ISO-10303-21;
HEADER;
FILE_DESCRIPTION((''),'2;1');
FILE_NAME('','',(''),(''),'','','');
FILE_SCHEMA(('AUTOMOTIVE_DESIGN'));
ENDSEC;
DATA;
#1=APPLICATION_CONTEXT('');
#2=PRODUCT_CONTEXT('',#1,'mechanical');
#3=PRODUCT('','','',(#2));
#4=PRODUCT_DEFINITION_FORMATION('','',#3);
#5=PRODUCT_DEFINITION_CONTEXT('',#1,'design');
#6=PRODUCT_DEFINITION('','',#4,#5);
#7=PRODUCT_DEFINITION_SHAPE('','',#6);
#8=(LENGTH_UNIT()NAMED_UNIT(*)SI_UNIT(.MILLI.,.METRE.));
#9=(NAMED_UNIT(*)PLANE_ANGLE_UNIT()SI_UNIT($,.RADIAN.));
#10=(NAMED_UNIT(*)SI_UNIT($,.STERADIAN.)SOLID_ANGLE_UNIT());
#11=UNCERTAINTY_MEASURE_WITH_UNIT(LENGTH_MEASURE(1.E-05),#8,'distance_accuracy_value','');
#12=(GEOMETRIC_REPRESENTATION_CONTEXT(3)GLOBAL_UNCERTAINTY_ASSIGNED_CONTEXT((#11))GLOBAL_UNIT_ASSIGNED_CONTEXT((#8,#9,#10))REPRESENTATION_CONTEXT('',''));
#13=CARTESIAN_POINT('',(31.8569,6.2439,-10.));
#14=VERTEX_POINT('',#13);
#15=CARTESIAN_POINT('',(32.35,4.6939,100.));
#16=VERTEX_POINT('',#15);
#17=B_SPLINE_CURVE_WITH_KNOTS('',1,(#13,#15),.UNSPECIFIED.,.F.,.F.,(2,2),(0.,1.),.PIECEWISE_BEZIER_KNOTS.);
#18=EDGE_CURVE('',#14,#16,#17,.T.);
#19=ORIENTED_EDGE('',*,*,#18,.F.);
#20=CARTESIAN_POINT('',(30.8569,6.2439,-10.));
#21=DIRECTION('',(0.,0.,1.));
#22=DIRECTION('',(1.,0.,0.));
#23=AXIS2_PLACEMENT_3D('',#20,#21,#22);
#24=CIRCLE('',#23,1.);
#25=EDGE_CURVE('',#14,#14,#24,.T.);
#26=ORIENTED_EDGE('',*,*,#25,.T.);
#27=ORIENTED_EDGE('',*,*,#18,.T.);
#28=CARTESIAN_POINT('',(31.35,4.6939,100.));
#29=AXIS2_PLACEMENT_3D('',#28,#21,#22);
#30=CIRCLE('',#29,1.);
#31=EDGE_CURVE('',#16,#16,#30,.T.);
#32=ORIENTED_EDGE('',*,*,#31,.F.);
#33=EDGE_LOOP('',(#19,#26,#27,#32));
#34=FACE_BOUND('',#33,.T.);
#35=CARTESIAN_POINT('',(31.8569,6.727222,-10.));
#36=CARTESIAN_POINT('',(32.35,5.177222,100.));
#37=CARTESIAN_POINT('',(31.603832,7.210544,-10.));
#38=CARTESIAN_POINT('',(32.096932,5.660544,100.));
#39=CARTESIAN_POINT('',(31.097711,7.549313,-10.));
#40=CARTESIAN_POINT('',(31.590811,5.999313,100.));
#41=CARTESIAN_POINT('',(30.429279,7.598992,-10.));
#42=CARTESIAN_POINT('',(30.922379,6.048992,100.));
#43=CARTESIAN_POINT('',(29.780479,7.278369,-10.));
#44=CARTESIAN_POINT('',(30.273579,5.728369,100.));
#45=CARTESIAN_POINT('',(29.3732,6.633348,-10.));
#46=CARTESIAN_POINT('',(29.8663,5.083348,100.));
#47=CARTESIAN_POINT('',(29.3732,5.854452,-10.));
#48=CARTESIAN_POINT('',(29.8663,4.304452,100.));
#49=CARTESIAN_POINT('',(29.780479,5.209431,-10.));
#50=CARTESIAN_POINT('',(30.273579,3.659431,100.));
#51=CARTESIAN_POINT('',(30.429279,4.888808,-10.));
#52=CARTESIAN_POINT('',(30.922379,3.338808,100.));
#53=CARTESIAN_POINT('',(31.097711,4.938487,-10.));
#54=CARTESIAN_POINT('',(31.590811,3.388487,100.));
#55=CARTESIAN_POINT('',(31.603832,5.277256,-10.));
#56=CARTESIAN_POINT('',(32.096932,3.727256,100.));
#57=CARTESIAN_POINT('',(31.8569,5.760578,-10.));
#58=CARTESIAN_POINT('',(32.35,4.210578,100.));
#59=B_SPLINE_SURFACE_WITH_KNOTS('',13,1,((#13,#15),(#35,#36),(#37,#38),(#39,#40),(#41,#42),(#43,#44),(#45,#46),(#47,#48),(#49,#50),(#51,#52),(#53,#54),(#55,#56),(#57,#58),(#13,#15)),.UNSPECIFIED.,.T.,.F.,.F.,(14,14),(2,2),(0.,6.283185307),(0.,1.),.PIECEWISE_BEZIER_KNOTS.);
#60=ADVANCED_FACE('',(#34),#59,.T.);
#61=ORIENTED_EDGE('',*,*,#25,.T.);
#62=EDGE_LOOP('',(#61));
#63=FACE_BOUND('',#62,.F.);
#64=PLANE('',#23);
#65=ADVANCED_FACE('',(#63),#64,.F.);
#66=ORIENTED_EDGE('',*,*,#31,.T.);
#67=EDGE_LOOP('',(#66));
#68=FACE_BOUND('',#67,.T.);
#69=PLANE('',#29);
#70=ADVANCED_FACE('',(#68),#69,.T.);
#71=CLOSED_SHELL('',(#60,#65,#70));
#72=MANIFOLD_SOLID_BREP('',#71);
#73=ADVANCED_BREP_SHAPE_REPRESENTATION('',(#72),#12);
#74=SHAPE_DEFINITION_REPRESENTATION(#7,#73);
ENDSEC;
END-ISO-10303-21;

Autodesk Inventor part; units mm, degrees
ref_plane "YZ Plane" through (0, 0, 0) normal (1, 0, 0) x (0, 1, 0)
ref_plane "XZ Plane" through (0, 0, 0) normal (0, 1, 0) x (-1, 0, 0)
ref_plane "XY Plane" through (0, 0, 0) normal (0, 0, 1) x (1, 0, 0)
ref_plane "Work Plane1" through (0, 0, -10) normal (0, 0, 1) x (1, 0, 0)
sketch "Sketch1" plane through (0, 0, -10) normal (0, 0, 1) x (1, 0, 0)
  circle A0 centre (30.8569, 6.2439) radius 1 projected
  line L0 (29.2243, 4.7917) -> (32.4895, 4.7917)
  line L1 (32.4895, 4.7917) -> (32.4895, 7.6961)
  line L2 (32.4895, 7.6961) -> (29.2243, 7.6961)
  line L3 (29.2243, 7.6961) -> (29.2243, 4.7917)
  line L4 (29.2243, 4.7917) -> (32.4895, 7.6961) construction
  line L5 (32.4895, 4.7917) -> (29.2243, 7.6961) construction
  point P0 (0, 0)
ref_plane "Work Plane2" through (0, 0, 50) normal (0, 0, 1) x (1, 0, 0)
sketch "Sketch2" plane through (0, 0, 50) normal (0, 0, 1) x (1, 0, 0)
  circle A0 centre (30.8569, 6.2439) radius 1 projected
  line L0 (15, -5.9361) -> (57.76, -5.9361)
  line L1 (57.76, -5.9361) -> (57.76, 19.1839)
  line L2 (57.76, 19.1839) -> (15, 19.1839)
  line L3 (15, 19.1839) -> (15, -5.9361)
  line L4 (2.8569, -19.6561) -> (52.8569, -19.6561) projected
  line L5 (2, -18.27) -> (2, 1)
  point P0 (0, 0)
  dimension "d0" = 42.76
  dimension "d1" = 25.12
  dimension "d2" = 13
  dimension "d3" = 13.72
ref_plane "Work Plane3" through (0, 0, 100) normal (0, 0, 1) x (1, 0, 0)
sketch "Sketch3" plane through (0, 0, 100) normal (0, 0, 1) x (1, 0, 0)
  line L0 (-31.32, 39.1939) -> (94.02, 39.1939)
  line L1 (94.02, 39.1939) -> (94.02, -29.8061)
  line L2 (94.02, -29.8061) -> (-31.32, -29.8061)
  line L3 (-31.32, -29.8061) -> (-31.32, 39.1939)
  line L4 (2.8569, -19.6561) -> (52.8569, -19.6561) projected
  line L5 (2, -18.27) -> (2, 1) projected
  line L6 (-31.32, 39.1939) -> (94.02, -29.8061) construction
  line L7 (94.02, 39.1939) -> (-31.32, -29.8061) construction
  circle A0 centre (31.35, 4.6939) radius 1
  point P0 (0, 0)
  dimension "d4" = 125.34
  dimension "d5" = 69
  dimension "d6" = 10.15
  dimension "d7" = 33.32
  dimension "d8" = 2
loft "Loft1" add profiles "Sketch1", "Sketch3" contours A0 / A0
properties part number "00_Anybeam_Nebra_HAT_RAY"
